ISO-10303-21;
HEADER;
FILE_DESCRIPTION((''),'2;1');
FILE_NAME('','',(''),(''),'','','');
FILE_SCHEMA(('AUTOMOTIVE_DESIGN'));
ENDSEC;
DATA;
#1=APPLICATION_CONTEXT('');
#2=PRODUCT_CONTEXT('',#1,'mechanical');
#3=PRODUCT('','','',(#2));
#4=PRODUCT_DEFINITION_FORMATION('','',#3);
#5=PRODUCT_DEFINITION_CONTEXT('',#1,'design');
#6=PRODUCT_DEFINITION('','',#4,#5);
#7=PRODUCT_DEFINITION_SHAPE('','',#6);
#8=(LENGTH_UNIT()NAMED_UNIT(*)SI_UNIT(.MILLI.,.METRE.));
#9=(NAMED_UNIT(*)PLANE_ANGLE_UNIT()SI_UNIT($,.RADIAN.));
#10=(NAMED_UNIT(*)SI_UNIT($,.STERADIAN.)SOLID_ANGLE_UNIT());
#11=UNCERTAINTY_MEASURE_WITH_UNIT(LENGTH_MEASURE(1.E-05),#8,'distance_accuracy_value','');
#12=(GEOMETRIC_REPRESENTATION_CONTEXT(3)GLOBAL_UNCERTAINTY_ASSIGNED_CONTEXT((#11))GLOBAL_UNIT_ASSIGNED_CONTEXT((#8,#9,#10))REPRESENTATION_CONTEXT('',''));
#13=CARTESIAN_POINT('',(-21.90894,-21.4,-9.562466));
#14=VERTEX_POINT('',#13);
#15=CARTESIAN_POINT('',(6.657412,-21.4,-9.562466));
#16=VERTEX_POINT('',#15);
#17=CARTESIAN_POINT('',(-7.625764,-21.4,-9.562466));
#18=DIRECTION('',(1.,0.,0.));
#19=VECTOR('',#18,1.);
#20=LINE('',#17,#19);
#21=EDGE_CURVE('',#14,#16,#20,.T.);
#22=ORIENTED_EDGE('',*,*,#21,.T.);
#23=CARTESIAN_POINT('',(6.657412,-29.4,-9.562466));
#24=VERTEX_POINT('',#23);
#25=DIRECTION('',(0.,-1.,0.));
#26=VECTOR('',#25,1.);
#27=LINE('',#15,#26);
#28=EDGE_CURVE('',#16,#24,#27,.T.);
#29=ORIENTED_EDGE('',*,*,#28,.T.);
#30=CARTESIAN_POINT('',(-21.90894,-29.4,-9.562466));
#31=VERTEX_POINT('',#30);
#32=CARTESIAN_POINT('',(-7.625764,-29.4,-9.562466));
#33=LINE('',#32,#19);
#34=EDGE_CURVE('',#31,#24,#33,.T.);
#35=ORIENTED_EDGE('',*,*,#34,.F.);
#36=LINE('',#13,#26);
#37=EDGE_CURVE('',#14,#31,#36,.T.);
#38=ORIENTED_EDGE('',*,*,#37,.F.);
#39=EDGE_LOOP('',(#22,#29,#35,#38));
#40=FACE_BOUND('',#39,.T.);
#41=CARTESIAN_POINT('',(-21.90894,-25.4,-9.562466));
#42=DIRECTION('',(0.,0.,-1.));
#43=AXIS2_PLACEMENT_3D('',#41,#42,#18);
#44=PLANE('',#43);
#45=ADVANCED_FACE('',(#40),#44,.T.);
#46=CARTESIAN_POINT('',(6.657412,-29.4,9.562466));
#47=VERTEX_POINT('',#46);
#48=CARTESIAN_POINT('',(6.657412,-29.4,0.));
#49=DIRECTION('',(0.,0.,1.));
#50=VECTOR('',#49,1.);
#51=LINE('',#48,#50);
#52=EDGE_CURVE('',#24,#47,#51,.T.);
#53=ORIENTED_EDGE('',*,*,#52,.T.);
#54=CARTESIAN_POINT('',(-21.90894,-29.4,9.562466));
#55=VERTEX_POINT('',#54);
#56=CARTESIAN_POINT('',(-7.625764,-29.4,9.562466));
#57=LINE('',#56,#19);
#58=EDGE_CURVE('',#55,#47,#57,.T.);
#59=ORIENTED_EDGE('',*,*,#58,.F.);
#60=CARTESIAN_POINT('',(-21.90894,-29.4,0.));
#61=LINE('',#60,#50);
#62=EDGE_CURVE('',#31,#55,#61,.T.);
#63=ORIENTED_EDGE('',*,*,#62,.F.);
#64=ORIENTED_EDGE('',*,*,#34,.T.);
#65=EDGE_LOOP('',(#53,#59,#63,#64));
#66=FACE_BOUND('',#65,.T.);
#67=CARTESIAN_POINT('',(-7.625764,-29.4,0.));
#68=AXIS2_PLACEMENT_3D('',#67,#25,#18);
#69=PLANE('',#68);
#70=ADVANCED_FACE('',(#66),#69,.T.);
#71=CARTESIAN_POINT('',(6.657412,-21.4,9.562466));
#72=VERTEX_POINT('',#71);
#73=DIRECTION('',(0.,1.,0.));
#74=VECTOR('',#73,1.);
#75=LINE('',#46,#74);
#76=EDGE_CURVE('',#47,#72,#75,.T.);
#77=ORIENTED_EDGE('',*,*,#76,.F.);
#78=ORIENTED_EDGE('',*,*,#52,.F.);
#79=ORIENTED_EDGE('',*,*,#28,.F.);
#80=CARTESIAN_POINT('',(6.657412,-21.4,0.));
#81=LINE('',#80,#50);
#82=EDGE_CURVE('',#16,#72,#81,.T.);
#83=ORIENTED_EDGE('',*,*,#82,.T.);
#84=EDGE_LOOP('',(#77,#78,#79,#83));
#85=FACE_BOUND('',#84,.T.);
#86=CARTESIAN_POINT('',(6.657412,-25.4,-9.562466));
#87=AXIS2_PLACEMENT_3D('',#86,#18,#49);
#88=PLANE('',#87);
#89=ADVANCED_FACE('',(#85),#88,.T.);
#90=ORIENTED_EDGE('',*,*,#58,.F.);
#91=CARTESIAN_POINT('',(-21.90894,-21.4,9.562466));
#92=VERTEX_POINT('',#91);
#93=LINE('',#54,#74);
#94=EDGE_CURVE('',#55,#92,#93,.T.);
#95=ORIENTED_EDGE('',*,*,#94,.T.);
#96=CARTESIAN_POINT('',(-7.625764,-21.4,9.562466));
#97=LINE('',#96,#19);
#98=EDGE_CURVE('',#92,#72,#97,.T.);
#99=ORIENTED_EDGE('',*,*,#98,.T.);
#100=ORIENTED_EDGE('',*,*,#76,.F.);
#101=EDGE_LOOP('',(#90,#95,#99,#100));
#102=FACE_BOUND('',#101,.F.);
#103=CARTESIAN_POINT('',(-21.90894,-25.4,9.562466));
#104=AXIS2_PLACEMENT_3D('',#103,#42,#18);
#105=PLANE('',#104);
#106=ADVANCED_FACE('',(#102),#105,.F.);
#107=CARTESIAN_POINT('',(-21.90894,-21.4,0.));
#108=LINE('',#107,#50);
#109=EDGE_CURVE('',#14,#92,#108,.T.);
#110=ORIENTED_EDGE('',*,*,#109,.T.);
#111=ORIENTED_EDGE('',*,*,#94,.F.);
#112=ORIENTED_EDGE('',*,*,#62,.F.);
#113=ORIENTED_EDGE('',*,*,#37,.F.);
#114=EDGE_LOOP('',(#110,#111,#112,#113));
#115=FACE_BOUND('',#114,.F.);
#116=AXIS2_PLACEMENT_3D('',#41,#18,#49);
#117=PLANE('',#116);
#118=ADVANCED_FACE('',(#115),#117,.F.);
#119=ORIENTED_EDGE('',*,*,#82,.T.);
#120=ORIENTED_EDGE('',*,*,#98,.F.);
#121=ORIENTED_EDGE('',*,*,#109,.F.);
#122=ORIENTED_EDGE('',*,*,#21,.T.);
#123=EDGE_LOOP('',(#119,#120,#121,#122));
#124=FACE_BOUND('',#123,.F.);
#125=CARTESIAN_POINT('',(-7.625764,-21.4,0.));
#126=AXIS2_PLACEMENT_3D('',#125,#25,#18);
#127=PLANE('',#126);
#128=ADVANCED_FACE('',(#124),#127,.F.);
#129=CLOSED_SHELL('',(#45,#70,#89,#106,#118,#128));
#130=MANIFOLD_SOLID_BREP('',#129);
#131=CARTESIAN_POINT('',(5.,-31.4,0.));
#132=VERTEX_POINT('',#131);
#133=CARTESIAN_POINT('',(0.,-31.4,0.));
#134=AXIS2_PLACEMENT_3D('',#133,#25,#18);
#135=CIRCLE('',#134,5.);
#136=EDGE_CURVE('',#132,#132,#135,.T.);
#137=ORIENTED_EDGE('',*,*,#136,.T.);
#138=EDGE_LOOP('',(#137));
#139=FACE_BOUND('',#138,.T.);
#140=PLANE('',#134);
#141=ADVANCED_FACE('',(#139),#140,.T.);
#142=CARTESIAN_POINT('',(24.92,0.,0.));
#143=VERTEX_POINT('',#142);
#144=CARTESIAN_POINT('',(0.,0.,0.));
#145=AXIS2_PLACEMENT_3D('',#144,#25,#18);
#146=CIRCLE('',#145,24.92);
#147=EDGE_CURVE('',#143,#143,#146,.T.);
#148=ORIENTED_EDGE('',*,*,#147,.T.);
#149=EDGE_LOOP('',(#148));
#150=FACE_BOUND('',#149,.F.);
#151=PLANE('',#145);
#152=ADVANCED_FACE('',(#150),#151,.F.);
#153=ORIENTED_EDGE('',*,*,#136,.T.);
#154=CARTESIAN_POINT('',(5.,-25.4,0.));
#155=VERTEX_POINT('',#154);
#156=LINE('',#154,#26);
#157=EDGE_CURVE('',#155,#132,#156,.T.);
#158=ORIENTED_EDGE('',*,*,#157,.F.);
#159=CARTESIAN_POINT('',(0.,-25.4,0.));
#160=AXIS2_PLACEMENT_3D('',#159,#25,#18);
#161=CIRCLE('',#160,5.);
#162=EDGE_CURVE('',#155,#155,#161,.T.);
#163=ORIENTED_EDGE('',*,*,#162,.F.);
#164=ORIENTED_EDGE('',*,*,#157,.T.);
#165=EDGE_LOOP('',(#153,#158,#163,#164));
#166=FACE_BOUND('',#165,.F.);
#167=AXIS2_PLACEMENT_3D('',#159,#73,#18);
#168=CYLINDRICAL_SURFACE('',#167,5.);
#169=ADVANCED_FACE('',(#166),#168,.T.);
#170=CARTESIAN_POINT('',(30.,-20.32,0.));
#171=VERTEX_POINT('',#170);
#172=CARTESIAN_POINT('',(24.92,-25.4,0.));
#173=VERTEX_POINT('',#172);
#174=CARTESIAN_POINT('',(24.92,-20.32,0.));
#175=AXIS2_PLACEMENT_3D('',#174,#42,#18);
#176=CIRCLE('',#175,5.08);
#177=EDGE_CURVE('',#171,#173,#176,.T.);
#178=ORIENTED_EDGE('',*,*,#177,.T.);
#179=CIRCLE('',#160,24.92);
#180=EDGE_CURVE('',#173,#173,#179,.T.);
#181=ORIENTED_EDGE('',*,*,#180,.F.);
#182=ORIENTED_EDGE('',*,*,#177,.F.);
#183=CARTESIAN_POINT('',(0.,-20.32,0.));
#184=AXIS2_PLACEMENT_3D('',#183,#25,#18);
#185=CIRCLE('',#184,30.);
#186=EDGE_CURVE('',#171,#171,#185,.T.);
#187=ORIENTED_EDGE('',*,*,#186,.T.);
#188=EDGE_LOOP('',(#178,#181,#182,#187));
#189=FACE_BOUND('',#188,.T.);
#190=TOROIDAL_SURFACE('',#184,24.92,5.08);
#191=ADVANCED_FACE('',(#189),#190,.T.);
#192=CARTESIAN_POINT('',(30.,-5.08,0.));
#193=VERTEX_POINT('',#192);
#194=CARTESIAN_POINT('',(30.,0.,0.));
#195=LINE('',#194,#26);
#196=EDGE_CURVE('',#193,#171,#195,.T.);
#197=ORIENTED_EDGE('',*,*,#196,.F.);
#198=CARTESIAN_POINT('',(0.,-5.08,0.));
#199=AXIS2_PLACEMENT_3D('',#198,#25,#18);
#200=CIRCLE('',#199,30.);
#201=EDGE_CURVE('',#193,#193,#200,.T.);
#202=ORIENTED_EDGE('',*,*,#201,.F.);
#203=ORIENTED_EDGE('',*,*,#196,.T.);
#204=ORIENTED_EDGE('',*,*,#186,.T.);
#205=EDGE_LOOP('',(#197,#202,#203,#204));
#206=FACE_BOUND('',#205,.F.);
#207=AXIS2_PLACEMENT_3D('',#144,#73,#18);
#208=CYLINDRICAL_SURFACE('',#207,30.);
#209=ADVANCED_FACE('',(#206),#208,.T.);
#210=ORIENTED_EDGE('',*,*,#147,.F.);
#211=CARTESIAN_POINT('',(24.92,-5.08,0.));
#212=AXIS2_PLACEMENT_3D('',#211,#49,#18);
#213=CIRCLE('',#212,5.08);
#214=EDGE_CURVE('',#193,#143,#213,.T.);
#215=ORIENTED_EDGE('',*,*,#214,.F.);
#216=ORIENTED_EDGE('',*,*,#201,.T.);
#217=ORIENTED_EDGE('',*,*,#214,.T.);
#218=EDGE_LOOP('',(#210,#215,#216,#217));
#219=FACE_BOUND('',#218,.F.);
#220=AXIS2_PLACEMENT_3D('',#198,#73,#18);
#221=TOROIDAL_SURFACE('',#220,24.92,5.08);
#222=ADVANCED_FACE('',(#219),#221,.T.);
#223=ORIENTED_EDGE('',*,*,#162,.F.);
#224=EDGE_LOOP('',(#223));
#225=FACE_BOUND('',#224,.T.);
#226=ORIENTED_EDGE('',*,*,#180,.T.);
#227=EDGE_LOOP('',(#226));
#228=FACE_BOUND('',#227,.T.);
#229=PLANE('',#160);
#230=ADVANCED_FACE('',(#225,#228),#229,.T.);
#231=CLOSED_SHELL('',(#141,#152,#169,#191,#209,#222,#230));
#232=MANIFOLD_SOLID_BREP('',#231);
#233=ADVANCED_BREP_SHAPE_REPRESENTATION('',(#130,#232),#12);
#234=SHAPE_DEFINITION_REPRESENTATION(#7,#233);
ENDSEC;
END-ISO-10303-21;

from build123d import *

# Parameters (mm, degrees)
F0_R     = 30
F1_DEPTH = 25.4
F2_R     = 5.08
F3_R     = 24.92
F3_R_2   = 5
F4_DEPTH = 25.4
F6_R     = 5
F7_DEPTH = 6
F8_W     = 28.566352
F8_H     = 19.124932
F9_DEPTH = 4


with BuildPart() as f1:
    # F0 (on Front) → F1 (new body)
    with BuildSketch(Plane.XZ):
        Circle(F0_R)
    extrude(amount=F1_DEPTH)

    # F2
    f2_edges = [f1.edges().sort_by_distance(p)[0] for p in [
        (-30, -25.4, 0),
        (-30, 0, 0),
    ]]
    fillet(f2_edges, radius=F2_R)

    # F3 (on face) → F4 (join)
    with BuildSketch(Plane.XZ.offset(25.4)):
        Circle(F3_R)
        Circle(F3_R_2, mode=Mode.SUBTRACT)
        Circle(F3_R_2)
    extrude(amount=-F4_DEPTH)

    # F6 (on face) → F7 (join)
    with BuildSketch(Plane.XZ.offset(25.4)):
        Circle(F6_R)
    extrude(amount=F7_DEPTH)


with BuildPart() as f9:
    # F8 (on face) → F9 (new body, symmetric)
    with BuildSketch(Plane.XZ.offset(25.4)):
        with Locations((-7.625764, 0)):
            Rectangle(F8_W, F8_H)
    extrude(amount=F9_DEPTH, both=True)


solid = Compound([f1.part, f9.part])
